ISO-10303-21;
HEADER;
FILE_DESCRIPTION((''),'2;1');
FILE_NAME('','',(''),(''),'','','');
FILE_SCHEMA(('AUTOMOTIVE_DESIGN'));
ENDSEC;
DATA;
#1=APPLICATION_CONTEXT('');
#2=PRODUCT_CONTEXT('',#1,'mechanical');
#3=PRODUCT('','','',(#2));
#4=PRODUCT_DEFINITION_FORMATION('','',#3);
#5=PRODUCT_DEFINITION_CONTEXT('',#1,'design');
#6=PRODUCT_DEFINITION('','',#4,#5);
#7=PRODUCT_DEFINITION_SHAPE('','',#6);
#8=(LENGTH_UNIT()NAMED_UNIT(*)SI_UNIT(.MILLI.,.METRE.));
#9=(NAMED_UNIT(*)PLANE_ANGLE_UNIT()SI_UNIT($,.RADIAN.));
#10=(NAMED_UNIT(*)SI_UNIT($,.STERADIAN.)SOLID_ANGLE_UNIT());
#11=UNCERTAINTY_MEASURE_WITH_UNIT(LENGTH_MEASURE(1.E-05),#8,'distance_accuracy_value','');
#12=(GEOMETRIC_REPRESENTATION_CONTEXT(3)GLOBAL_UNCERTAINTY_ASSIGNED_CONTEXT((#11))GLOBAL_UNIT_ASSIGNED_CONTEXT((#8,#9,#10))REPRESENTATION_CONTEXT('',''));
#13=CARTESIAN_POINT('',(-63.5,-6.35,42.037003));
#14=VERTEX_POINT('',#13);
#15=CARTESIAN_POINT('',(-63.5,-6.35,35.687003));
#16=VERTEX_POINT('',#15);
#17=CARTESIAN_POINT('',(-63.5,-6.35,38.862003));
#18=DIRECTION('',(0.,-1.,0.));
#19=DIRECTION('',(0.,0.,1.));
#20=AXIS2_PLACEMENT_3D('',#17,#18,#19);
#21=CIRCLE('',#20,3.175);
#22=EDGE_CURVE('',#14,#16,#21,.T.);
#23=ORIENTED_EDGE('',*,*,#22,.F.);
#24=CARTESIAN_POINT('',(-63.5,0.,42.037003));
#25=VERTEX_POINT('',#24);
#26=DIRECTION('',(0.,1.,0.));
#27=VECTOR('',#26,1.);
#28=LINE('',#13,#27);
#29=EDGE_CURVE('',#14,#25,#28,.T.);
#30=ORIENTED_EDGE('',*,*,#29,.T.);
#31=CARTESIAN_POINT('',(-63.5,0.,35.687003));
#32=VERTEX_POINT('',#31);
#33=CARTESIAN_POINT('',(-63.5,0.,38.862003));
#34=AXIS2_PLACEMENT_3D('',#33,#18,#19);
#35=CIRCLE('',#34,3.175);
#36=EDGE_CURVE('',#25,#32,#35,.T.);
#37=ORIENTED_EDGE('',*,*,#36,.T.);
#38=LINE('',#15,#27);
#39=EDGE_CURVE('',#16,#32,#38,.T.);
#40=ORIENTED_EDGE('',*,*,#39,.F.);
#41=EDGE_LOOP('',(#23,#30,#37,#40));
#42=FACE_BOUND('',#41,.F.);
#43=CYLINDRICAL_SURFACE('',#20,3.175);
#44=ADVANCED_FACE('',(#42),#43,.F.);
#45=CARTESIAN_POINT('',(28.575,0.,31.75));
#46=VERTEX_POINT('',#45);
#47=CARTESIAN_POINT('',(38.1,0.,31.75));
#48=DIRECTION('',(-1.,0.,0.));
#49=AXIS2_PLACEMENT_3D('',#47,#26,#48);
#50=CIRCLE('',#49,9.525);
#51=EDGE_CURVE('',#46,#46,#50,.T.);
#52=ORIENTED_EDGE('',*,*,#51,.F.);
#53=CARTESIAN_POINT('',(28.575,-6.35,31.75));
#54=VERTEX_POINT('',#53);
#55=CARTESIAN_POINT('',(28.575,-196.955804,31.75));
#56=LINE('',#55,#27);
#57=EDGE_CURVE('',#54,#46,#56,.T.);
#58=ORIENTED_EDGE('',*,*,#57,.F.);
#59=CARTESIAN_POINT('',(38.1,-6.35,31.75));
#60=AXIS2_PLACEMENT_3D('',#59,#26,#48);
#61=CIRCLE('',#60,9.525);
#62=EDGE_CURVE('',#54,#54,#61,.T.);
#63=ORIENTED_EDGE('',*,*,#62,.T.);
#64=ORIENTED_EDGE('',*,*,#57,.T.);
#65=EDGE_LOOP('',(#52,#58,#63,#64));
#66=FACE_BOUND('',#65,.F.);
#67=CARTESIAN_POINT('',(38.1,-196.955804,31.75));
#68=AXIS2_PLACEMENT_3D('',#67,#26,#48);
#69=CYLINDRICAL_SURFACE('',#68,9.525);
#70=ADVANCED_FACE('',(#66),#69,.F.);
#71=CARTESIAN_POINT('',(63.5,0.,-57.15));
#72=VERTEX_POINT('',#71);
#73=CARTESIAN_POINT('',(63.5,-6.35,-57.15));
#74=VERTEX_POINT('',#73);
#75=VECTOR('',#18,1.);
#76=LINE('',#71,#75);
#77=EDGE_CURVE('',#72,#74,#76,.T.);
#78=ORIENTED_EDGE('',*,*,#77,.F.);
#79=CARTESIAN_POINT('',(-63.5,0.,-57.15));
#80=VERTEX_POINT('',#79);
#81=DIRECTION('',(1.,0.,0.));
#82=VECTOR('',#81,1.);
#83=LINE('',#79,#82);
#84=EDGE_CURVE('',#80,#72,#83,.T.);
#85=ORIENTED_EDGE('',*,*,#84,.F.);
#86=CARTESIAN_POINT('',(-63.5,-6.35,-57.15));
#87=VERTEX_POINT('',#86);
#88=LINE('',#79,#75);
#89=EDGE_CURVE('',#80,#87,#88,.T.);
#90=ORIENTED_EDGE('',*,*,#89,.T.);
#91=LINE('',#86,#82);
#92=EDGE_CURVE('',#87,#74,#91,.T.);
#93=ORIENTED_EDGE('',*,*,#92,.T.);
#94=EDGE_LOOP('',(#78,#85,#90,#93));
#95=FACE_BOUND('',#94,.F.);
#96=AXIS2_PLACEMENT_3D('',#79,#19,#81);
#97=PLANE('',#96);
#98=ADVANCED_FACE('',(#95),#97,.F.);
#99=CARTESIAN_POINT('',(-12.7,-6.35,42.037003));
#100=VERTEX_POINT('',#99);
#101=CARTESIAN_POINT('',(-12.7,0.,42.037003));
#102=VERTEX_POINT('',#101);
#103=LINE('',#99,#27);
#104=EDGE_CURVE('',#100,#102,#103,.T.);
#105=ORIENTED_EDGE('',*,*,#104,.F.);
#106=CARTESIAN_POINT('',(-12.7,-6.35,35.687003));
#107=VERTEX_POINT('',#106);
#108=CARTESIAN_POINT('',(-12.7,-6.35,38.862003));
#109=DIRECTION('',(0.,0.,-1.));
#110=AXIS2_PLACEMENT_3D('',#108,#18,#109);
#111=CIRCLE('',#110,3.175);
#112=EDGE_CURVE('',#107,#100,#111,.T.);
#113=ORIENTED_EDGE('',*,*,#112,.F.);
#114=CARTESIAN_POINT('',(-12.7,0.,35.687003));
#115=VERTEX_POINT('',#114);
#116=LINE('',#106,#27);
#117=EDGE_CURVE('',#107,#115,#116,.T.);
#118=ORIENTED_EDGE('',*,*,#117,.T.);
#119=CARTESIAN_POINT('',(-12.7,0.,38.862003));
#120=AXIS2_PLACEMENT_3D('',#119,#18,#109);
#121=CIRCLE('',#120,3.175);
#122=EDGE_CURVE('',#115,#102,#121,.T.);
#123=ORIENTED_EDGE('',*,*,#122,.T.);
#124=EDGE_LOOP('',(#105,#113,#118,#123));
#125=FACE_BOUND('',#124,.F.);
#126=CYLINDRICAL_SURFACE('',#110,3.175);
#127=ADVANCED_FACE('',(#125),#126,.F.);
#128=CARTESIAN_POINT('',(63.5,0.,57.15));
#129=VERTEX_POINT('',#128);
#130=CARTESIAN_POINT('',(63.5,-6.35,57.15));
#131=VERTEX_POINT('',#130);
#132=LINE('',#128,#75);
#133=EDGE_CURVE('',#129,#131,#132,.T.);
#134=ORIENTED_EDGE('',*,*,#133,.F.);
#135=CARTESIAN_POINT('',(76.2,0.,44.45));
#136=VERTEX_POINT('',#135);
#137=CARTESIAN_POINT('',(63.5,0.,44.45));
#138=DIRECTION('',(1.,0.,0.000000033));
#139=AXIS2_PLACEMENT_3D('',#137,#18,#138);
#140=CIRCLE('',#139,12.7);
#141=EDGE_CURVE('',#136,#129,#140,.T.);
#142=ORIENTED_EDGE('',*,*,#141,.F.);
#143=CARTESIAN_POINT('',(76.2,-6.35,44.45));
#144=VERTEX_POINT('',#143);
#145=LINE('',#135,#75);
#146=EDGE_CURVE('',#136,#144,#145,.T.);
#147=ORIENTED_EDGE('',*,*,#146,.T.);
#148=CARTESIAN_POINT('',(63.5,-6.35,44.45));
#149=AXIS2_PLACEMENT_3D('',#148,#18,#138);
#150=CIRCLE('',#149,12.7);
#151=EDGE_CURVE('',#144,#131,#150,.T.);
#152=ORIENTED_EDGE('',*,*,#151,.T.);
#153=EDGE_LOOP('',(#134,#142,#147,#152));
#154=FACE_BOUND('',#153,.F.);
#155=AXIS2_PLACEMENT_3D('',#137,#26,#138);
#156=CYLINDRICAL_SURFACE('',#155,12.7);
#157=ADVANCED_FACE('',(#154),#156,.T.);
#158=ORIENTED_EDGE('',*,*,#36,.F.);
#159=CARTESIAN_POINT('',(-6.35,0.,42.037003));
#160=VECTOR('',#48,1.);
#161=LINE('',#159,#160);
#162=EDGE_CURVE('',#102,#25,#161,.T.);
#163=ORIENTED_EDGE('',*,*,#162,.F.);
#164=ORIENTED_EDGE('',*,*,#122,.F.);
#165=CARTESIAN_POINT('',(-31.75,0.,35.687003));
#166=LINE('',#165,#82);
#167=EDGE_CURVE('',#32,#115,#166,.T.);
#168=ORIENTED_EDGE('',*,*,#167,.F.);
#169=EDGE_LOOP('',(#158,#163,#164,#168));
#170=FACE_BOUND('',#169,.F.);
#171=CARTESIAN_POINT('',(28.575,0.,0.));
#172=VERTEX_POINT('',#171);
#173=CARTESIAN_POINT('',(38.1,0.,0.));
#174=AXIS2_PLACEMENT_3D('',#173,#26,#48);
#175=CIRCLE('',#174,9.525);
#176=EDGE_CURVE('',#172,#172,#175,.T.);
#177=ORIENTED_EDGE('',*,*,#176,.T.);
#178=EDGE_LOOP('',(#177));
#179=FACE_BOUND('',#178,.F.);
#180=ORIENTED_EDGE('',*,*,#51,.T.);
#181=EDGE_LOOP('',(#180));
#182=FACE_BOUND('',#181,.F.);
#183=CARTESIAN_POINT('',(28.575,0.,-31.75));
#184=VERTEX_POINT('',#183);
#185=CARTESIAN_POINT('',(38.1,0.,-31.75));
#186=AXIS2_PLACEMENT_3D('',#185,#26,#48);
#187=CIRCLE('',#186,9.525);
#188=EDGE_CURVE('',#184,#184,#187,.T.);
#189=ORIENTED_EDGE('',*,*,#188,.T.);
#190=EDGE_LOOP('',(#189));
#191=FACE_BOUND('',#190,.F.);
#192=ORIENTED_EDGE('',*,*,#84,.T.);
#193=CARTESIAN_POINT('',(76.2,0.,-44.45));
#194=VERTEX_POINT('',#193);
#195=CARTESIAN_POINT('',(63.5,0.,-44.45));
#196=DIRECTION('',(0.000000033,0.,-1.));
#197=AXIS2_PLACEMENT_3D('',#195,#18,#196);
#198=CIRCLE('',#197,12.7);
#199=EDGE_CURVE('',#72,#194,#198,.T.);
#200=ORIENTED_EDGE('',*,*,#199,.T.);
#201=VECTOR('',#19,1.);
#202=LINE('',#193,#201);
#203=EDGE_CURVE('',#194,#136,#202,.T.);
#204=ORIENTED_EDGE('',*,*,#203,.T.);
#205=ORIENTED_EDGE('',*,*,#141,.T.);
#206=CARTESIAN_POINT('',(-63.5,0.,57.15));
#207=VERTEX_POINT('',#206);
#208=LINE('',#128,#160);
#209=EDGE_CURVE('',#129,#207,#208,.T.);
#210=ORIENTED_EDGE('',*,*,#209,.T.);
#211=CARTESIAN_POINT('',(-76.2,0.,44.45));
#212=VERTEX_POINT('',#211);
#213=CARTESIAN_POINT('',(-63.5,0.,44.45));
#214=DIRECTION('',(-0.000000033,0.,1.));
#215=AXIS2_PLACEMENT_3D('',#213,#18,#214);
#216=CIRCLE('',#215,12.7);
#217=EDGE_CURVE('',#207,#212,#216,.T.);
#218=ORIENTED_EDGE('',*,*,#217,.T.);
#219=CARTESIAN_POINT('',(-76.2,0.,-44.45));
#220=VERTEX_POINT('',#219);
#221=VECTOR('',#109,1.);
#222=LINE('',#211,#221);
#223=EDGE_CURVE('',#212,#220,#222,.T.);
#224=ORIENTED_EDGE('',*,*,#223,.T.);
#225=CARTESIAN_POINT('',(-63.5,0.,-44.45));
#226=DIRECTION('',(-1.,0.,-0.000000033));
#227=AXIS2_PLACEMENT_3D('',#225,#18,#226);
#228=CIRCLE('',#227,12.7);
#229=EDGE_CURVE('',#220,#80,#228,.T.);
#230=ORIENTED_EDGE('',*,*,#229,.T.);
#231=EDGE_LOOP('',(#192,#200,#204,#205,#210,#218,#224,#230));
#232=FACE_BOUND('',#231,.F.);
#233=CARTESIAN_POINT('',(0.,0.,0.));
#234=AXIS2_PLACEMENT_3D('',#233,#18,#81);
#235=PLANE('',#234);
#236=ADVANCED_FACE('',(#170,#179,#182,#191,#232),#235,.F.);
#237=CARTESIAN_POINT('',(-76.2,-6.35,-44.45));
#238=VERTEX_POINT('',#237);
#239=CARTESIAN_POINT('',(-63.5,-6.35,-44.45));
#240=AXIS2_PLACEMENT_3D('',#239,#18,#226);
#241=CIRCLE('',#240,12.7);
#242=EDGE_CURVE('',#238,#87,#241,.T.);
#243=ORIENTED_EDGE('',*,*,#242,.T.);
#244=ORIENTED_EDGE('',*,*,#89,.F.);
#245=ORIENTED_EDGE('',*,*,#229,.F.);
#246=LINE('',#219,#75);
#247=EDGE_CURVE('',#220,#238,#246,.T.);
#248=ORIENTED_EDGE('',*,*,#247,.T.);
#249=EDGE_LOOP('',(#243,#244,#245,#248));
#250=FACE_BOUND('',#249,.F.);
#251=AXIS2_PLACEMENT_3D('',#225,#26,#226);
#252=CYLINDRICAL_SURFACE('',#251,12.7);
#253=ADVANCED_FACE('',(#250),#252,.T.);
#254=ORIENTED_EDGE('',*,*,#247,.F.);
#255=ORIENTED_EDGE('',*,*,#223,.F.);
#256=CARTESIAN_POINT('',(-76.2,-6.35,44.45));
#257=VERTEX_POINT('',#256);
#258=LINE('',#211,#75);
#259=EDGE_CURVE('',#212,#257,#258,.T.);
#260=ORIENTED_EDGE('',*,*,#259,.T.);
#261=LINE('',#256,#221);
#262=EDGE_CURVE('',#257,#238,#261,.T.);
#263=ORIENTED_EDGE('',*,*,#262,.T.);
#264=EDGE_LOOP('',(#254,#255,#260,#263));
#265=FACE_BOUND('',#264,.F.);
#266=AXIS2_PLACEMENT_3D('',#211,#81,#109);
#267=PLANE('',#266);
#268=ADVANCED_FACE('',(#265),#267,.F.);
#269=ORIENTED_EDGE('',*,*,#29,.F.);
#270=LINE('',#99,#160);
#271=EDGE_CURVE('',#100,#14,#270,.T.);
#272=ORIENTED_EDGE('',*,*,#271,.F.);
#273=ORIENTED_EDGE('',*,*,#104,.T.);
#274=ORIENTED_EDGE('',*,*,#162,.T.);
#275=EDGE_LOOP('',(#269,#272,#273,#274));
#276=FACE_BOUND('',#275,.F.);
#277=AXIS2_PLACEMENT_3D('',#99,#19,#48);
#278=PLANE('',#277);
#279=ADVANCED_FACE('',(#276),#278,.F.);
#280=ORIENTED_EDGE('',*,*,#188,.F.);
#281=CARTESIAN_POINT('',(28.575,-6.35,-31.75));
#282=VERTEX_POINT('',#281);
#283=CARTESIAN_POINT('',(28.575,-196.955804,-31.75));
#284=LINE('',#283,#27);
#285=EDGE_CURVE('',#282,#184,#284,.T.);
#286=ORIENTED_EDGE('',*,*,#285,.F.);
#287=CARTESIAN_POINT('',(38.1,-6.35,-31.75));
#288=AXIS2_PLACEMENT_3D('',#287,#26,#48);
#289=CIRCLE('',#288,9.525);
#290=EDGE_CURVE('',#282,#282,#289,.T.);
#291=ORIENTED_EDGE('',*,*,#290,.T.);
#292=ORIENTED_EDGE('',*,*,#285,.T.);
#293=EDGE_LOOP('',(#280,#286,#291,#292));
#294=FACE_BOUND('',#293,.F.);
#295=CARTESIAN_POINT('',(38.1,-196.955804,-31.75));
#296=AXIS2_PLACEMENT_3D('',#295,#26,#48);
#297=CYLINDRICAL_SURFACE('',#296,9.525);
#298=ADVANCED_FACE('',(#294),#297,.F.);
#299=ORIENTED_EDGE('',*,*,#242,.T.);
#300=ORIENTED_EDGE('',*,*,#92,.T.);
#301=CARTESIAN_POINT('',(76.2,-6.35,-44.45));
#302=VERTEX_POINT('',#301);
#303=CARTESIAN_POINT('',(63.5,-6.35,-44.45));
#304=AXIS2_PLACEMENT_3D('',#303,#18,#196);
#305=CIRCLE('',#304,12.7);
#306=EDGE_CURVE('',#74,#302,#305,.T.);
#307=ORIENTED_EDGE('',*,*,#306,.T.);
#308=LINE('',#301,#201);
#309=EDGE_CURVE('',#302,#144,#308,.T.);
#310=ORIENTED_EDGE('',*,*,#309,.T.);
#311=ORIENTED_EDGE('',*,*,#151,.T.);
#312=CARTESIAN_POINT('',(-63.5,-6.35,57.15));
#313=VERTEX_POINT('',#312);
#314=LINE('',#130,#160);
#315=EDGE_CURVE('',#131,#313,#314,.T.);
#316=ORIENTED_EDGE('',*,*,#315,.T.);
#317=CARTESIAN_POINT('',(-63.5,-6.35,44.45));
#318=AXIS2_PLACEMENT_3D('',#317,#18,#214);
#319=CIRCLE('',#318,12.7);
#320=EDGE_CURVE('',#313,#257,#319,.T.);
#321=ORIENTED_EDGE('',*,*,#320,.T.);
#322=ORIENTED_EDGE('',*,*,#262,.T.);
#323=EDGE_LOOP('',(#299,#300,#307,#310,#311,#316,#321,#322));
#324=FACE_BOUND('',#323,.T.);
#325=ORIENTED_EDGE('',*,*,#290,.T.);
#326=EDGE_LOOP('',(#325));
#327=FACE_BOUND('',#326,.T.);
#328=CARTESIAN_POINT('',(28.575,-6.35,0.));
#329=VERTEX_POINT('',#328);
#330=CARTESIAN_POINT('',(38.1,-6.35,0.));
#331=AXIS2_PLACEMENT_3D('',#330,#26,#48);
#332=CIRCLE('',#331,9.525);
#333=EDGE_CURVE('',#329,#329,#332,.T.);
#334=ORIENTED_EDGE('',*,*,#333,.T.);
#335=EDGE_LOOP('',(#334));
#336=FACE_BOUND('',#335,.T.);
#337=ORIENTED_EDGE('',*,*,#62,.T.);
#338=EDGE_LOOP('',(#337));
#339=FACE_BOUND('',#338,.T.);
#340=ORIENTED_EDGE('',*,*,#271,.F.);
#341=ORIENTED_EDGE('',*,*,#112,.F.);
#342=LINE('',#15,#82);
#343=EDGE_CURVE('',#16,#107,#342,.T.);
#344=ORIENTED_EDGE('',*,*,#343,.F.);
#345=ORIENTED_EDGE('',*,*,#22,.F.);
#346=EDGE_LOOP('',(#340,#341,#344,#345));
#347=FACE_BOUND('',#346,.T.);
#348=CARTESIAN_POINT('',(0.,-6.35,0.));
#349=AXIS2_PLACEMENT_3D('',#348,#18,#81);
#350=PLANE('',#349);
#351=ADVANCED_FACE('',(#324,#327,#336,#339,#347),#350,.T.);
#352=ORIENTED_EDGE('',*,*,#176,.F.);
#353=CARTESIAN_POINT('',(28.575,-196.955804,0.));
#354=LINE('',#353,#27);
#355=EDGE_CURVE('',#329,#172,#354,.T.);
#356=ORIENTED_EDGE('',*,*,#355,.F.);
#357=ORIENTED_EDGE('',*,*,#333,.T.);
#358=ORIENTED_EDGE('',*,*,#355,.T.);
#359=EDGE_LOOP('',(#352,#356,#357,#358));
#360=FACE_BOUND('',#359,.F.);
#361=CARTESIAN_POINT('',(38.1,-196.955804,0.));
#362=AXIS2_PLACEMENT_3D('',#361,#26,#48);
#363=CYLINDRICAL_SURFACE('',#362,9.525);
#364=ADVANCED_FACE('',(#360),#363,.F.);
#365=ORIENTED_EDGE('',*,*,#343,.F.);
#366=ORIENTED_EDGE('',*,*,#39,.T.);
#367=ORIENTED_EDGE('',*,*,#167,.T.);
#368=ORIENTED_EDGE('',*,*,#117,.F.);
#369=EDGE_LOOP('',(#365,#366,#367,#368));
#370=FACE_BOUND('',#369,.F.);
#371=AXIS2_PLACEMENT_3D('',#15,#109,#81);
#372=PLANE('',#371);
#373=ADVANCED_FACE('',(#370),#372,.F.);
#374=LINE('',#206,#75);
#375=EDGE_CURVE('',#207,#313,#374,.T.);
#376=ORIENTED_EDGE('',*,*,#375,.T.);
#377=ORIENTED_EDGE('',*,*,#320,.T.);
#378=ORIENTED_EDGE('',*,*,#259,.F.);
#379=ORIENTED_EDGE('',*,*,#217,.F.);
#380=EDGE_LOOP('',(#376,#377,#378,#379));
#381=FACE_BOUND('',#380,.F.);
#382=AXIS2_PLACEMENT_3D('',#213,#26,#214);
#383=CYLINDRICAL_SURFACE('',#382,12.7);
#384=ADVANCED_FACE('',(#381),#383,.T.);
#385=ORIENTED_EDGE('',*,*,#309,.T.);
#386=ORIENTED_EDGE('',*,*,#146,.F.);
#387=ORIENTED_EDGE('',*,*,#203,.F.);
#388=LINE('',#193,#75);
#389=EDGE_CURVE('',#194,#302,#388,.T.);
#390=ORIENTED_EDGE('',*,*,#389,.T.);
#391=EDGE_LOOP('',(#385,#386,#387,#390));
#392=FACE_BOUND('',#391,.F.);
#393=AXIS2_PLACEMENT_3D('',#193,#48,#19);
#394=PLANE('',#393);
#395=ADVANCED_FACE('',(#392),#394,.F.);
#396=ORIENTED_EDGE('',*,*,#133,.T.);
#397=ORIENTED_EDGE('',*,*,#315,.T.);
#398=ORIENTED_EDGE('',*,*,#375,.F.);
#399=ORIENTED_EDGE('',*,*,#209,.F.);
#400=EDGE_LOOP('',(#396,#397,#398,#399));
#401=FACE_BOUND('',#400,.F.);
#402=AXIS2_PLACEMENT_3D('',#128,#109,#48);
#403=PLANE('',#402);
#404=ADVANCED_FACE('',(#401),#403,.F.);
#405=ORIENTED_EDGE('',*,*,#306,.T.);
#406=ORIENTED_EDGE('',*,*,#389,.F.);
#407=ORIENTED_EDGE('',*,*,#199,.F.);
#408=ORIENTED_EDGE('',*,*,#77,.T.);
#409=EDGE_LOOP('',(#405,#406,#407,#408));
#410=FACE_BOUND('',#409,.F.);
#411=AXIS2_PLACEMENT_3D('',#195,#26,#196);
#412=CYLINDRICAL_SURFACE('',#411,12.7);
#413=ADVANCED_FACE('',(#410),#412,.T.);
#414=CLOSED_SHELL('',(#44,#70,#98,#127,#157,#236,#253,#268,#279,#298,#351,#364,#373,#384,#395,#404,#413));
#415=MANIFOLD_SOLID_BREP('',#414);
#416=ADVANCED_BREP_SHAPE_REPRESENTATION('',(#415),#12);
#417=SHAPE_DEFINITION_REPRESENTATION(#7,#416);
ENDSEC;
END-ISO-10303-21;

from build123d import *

# Parameters (mm, degrees)
F1_DEPTH = 6.35
F3_D     = 19.05
F5_DEPTH = 6.351


with BuildPart() as f1:
    # F0 (on Front) → F1 (new body)
    with BuildSketch(Plane.XZ):
        with BuildLine():
            ThreePointArc((76.2, 44.45), (72.480256, 53.430256), (63.5, 57.15))
            Line((63.5, 57.15), (-63.5, 57.15))
            ThreePointArc((-63.5, 57.15), (-72.480256, 53.430256), (-76.2, 44.45))
            Line((-76.2, 44.45), (-76.2, -44.45))
            ThreePointArc((-76.2, -44.45), (-72.480256, -53.430256), (-63.5, -57.15))
            Line((-63.5, -57.15), (63.5, -57.15))
            ThreePointArc((63.5, -57.15), (72.480256, -53.430256), (76.2, -44.45))
            Line((76.2, -44.45), (76.2, 44.45))
        make_face()
    extrude(amount=F1_DEPTH)

    # F3 (through all)
    with Locations(Plane.XZ.offset(6.35)):
        with Locations((38.1, 31.75), (38.1, 0), (38.1, -31.75)):
            Hole(F3_D / 2)

    # F4 (on face) → F5 (cut, through all)
    with BuildSketch(Plane.XZ.offset(6.35)):
        with BuildLine():
            Line((-12.7, 42.037003), (-63.5, 42.037003))
            ThreePointArc((-63.5, 42.037003), (-66.675, 38.862003), (-63.5, 35.687003))
            Line((-63.5, 35.687003), (-12.7, 35.687003))
            ThreePointArc((-12.7, 35.687003), (-9.525, 38.862003), (-12.7, 42.037003))
        make_face()
    extrude(amount=-F5_DEPTH, mode=Mode.SUBTRACT)


solid = f1.part
